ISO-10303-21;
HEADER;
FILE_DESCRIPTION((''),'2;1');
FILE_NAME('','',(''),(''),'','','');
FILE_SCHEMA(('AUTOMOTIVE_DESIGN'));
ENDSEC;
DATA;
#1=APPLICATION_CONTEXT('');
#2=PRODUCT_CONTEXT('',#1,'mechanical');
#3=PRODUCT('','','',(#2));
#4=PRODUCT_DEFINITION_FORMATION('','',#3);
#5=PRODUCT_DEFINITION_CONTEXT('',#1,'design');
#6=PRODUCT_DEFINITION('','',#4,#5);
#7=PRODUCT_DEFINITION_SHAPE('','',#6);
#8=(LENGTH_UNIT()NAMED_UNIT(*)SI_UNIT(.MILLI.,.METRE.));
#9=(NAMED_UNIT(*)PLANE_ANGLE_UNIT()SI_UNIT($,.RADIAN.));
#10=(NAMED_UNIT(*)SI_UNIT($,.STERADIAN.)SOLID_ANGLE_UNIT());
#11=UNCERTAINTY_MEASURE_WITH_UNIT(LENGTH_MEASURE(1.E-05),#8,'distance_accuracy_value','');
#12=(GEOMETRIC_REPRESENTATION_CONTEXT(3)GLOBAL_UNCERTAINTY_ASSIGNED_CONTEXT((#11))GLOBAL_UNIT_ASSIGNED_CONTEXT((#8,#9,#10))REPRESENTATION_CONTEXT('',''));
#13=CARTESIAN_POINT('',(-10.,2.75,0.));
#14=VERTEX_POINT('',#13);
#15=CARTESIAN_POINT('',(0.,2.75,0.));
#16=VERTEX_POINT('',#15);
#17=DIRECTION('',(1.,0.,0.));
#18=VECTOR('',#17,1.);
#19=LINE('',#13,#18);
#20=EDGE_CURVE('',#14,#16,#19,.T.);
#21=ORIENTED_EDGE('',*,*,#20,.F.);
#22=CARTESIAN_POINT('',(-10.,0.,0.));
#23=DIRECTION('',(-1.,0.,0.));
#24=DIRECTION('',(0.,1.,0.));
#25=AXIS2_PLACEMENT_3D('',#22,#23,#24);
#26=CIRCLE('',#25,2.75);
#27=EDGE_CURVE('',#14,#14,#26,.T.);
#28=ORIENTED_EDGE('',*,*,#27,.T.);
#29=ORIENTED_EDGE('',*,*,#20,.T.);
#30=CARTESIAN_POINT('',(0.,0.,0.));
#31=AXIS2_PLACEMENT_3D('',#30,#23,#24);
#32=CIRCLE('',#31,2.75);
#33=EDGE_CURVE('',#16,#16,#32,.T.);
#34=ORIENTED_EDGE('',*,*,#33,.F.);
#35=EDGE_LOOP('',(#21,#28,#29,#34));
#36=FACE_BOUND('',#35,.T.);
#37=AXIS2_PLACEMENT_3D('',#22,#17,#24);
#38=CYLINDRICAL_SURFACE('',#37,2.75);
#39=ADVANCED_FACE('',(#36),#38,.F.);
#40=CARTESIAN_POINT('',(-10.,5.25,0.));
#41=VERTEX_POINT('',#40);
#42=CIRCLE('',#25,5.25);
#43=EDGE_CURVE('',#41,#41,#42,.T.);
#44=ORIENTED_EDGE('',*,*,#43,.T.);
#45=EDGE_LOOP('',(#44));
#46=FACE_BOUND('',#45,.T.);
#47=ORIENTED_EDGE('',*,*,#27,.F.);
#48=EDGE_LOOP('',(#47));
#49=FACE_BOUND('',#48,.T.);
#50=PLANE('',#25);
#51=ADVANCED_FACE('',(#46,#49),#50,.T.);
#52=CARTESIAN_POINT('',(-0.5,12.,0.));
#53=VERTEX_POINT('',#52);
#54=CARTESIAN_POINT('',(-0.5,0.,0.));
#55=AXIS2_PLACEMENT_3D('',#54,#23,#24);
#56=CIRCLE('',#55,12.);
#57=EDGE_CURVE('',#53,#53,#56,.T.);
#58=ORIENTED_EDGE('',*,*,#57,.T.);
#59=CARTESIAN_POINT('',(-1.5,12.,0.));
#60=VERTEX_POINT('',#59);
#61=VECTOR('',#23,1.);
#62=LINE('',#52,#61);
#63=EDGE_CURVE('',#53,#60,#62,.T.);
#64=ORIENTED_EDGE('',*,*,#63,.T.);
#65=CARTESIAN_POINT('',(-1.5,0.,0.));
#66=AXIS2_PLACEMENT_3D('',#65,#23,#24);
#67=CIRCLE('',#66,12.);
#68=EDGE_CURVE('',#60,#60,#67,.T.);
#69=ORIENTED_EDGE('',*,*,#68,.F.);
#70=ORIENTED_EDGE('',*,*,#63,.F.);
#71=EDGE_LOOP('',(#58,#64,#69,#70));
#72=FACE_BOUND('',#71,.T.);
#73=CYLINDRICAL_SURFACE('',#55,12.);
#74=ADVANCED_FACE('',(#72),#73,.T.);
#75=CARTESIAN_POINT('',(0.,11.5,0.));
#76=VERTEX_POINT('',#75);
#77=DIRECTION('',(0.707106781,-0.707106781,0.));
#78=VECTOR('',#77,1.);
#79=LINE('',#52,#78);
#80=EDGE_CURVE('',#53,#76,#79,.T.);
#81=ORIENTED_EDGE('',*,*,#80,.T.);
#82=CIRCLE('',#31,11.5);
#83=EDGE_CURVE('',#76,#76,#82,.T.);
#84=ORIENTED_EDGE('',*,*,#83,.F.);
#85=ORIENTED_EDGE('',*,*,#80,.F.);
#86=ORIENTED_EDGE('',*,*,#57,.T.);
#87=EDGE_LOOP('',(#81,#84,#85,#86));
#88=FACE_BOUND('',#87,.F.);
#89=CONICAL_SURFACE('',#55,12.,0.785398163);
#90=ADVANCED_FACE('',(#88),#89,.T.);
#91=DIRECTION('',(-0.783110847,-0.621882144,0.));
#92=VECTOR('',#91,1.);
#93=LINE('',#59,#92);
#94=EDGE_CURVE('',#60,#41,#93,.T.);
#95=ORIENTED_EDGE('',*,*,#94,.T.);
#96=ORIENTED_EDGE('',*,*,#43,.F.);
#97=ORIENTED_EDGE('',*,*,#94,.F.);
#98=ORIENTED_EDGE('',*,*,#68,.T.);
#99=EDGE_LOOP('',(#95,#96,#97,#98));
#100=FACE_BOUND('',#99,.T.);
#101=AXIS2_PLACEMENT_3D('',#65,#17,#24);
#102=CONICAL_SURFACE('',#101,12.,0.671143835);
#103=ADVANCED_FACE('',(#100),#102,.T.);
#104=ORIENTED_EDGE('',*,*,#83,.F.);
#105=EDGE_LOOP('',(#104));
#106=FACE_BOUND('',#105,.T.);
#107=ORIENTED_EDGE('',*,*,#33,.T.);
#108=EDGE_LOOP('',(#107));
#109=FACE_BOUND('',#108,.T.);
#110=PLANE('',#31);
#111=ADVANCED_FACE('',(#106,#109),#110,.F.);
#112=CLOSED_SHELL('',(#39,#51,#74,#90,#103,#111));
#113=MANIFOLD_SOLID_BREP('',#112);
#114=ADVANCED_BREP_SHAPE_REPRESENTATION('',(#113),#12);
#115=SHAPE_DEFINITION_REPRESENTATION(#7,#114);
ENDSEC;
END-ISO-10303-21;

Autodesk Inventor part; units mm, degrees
ref_plane "YZ Plane" through (0, 0, 0) normal (1, 0, 0) x (0, 1, 0)
ref_plane "XZ Plane" through (0, 0, 0) normal (0, 1, 0) x (-1, 0, 0)
ref_plane "XY Plane" through (0, 0, 0) normal (0, 0, 1) x (1, 0, 0)
sketch "Sketch1" plane through (0, 0, 0) normal (0, 0, 1) x (1, 0, 0)
  line L0 (0, 0) -> (-10, 0) construction
  line L1 (-10, 0) -> (-10, 2.75) construction
  line L2 (-10, 2.75) -> (0, 2.75)
  line L3 (0, 2.75) -> (0, 0) construction
  line L4 (0, 2.75) -> (0, 11.5)
  line L5 (-0.5, 12) -> (-1.5, 12)
  line L6 (-1.5, 12) -> (-10, 5.25)
  line L7 (-10, 5.25) -> (-10, 2.75)
  line L8 (-0.5, 12) -> (0, 11.5)
  point P0 (0, 12)
  dimension "d0" = 2.75
  dimension "d1" = 10
  dimension "d2" = 2.5
  dimension "d3" = 1.5
  dimension "d4" = 12
  dimension "d5" = 0.5
  dimension "d6" = 0.5
revolve "Revolution1" add sketch "Sketch1" angle 360 about axis through (0, 0, 0) along (-1, 0, 0)
equation "\"d6\" = d5"
properties part number "BaseWasher"
